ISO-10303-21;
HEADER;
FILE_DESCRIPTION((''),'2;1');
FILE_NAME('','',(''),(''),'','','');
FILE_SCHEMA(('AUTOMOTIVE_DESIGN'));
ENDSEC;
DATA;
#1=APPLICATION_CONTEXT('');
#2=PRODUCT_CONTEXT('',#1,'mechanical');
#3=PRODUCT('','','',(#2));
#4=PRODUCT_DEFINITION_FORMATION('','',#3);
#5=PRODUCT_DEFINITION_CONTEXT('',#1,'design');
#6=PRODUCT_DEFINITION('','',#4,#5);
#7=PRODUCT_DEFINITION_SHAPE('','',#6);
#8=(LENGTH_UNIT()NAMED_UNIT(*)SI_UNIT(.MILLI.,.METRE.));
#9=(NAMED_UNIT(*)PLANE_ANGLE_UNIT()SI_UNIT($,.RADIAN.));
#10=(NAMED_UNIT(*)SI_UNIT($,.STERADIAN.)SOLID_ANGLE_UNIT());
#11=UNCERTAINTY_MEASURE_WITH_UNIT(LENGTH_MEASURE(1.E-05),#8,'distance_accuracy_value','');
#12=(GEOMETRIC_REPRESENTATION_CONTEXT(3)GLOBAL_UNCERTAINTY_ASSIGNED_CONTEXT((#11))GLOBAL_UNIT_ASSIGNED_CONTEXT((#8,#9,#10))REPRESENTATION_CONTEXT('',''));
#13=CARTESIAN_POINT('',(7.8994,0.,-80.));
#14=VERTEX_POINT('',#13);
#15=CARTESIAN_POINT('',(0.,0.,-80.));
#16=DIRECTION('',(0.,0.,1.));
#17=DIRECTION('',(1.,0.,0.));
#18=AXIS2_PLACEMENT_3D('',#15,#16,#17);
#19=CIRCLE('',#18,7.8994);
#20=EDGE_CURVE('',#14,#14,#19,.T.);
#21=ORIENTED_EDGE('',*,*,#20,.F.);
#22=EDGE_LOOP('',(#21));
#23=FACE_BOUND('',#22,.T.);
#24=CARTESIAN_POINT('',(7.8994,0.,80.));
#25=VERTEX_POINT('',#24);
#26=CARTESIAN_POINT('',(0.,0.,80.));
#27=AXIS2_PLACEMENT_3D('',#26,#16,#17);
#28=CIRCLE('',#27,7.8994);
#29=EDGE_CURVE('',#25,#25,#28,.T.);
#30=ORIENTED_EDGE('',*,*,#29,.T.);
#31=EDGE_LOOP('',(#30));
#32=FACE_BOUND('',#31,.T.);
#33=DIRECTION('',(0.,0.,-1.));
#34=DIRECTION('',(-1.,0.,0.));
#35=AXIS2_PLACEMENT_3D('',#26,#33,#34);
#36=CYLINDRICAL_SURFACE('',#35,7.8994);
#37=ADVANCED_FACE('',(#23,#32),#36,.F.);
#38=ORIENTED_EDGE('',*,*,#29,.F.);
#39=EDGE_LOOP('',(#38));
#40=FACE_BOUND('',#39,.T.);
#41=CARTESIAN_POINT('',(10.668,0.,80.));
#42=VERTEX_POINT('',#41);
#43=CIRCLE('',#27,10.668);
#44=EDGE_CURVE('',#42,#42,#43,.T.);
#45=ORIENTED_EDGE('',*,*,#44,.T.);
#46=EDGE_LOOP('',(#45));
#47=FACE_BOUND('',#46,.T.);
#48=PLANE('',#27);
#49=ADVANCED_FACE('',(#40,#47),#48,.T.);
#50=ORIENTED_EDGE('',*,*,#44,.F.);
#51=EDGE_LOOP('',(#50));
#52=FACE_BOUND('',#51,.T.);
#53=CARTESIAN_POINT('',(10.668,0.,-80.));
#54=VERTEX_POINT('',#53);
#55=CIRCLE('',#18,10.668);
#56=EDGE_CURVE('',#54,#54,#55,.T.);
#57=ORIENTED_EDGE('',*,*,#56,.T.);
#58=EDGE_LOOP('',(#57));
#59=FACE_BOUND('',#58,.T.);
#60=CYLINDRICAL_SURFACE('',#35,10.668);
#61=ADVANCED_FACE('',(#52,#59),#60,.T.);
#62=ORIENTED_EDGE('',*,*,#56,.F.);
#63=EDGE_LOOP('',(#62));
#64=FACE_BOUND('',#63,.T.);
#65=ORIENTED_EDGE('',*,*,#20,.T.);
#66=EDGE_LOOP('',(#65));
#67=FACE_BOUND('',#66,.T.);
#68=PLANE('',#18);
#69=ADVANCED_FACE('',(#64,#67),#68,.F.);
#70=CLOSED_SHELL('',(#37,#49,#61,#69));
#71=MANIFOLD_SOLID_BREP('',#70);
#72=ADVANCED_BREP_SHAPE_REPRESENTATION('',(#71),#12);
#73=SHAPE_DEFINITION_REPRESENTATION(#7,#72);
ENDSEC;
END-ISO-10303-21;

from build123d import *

# Parameters (mm, degrees)
SKETCH1_R           = 10.668
SKETCH1_R_2         = 7.8994
EXTRUDE_THIN1_DEPTH = 80


with BuildPart() as part:
    # Sketch1 → Extrude-Thin1 (new body, symmetric)
    with BuildSketch(Plane.XY):
        Circle(SKETCH1_R)
        Circle(SKETCH1_R_2, mode=Mode.SUBTRACT)
    extrude(amount=EXTRUDE_THIN1_DEPTH, both=True)


solid = part.part
